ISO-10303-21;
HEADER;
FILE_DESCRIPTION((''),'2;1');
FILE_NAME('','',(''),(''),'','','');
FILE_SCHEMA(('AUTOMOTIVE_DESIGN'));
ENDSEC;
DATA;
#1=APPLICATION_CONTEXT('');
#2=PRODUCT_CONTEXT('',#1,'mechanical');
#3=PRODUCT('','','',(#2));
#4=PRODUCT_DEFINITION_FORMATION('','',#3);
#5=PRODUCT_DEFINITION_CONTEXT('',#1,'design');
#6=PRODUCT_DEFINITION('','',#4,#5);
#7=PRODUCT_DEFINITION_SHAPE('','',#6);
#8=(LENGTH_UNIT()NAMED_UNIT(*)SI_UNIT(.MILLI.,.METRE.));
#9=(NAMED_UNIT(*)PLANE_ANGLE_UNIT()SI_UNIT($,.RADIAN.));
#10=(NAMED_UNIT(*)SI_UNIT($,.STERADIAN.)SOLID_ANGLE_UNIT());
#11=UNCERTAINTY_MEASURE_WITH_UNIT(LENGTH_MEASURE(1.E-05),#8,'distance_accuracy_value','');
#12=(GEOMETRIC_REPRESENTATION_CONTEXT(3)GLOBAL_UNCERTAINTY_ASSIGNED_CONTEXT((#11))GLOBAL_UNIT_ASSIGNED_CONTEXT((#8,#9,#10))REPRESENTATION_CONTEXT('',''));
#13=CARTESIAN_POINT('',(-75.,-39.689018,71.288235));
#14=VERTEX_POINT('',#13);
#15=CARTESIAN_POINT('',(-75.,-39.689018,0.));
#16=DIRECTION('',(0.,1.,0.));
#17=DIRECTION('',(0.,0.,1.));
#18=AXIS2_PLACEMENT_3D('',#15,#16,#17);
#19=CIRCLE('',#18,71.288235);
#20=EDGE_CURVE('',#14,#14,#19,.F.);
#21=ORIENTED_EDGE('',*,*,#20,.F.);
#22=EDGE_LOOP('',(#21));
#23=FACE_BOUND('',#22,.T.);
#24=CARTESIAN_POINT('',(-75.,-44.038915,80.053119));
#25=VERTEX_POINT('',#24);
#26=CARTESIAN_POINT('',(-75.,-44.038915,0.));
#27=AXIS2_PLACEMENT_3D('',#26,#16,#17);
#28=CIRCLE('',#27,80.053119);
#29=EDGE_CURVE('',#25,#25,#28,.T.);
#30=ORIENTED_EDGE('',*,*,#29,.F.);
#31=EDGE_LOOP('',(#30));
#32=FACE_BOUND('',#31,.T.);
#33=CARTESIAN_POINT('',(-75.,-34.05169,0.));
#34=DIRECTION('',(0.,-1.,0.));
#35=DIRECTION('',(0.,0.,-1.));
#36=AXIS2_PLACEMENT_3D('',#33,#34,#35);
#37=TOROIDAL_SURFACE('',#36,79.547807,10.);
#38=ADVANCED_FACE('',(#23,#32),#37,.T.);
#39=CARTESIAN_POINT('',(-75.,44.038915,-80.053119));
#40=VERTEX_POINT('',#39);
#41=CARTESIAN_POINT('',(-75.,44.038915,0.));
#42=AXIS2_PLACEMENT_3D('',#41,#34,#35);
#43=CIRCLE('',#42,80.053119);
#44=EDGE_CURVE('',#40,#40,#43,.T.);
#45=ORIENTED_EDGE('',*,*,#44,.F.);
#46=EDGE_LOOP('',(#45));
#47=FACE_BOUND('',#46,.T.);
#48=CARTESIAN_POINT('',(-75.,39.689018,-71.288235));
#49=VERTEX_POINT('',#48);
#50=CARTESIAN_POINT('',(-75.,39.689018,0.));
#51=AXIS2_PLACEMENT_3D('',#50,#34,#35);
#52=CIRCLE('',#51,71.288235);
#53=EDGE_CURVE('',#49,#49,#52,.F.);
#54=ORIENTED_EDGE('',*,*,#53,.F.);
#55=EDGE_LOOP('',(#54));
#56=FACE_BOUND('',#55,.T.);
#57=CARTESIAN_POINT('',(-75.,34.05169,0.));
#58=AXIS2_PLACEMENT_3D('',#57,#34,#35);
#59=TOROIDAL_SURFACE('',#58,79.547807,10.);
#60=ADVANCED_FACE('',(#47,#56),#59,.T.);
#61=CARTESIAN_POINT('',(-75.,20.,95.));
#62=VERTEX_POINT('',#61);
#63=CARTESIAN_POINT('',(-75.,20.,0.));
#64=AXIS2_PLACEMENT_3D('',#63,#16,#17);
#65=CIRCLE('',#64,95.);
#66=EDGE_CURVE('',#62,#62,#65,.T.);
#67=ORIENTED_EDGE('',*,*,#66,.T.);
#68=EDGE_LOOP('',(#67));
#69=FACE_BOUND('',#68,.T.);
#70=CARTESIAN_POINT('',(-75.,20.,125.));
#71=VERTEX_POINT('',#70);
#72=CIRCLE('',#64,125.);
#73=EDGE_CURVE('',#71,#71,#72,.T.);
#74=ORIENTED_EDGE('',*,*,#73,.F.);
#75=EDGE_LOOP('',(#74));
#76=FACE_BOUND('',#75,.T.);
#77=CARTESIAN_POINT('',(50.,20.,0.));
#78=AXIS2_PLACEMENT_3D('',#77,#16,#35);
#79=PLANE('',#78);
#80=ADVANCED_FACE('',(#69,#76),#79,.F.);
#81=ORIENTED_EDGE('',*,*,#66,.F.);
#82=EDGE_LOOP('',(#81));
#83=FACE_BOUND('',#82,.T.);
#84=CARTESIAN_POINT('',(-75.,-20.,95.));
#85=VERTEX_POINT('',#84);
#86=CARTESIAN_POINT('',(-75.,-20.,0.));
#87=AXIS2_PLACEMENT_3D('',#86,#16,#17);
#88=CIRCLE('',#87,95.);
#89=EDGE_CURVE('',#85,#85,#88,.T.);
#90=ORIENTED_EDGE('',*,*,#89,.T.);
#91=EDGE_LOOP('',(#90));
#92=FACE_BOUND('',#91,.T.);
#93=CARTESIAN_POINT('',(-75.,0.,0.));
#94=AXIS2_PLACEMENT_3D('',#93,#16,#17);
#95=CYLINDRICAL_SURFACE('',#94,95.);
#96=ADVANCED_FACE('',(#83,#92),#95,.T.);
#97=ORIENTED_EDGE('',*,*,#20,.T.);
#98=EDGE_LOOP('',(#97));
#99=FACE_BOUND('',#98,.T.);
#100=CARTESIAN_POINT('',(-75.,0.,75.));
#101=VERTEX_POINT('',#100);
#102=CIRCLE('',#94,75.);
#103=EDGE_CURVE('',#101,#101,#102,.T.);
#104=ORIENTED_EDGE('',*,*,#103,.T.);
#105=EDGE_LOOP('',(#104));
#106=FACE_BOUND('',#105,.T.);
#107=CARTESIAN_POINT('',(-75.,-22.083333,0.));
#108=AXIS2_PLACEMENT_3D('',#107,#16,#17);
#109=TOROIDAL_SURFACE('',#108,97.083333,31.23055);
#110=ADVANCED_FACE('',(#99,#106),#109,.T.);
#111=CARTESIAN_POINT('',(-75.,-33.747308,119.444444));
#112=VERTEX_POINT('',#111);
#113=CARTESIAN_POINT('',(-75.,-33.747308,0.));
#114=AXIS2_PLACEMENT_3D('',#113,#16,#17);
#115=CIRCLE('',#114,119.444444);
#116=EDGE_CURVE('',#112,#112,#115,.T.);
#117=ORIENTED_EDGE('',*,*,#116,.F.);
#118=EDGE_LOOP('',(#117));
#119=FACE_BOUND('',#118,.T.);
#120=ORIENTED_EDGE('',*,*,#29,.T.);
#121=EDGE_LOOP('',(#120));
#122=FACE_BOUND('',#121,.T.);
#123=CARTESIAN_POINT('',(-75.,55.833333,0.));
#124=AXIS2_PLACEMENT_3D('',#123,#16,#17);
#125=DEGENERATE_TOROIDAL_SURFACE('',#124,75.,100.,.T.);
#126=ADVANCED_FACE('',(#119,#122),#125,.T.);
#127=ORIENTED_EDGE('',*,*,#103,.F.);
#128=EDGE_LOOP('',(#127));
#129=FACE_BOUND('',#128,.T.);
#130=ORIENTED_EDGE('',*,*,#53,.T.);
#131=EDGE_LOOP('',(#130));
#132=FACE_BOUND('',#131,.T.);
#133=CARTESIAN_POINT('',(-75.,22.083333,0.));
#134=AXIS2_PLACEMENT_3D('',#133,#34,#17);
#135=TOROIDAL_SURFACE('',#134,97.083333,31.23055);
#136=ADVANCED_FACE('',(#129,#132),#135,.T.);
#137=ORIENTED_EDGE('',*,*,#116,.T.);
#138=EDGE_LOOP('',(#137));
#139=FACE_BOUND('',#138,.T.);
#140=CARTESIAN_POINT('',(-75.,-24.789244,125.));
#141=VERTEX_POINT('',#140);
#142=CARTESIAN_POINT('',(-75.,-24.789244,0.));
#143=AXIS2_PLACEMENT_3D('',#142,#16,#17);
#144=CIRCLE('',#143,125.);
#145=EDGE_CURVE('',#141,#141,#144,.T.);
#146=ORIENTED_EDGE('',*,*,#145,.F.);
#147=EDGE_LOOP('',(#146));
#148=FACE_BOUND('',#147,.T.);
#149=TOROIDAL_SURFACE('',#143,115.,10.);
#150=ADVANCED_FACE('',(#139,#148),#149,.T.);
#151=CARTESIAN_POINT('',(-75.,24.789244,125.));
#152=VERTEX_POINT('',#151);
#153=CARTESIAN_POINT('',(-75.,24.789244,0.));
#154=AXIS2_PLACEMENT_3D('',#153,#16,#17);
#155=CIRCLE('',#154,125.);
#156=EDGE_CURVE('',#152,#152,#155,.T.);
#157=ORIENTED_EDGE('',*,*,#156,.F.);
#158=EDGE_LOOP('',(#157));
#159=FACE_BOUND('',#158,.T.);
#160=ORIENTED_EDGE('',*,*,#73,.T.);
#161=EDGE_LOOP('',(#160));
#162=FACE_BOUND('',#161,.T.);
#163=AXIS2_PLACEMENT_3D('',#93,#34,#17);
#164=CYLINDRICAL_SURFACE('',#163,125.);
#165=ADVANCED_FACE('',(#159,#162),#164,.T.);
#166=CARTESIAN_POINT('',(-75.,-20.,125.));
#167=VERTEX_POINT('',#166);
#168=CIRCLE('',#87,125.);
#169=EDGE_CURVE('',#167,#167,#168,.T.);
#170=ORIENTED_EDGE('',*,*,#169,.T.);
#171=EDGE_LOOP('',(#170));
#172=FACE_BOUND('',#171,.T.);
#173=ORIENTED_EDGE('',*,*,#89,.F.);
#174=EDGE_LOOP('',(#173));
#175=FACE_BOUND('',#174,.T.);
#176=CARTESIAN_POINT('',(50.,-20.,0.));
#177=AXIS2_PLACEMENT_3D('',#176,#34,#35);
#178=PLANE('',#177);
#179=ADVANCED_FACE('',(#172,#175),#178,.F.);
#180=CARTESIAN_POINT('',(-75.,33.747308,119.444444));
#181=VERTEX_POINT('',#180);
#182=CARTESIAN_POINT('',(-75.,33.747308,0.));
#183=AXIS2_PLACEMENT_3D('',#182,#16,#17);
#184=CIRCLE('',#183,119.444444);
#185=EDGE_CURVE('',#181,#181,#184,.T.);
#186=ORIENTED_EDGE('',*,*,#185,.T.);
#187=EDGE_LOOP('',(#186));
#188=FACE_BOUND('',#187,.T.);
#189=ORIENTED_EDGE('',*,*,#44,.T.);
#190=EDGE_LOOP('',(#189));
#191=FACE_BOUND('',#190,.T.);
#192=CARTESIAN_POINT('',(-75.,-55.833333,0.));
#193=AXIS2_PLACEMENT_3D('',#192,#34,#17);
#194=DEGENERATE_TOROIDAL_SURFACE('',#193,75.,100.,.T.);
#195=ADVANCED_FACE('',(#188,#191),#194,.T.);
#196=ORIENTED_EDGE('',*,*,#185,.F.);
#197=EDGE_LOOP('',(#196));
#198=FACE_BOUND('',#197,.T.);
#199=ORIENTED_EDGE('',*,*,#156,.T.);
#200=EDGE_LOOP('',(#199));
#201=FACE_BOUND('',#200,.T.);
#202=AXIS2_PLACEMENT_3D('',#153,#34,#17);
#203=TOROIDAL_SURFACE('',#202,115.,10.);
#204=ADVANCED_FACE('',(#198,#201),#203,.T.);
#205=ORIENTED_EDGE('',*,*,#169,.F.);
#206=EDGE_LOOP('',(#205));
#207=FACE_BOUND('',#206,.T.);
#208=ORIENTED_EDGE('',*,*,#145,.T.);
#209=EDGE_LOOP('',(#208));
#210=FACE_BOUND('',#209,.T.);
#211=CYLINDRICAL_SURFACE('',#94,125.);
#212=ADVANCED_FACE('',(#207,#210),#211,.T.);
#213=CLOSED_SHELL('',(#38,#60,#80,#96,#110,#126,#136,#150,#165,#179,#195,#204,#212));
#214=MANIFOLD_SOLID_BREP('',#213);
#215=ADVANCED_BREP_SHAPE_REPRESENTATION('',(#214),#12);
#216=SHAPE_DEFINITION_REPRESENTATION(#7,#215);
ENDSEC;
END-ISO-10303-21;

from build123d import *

# Parameters (mm, degrees)
FILLET_1_R = 10


with BuildPart() as part:
    # 草图1 → 旋转2 (revolve)
    with BuildSketch(Plane.XY, mode=Mode.PRIVATE) as revolve_2_sk:
        with BuildLine():
            Line((50, -24.78924415), (50, -20))
            Line((50, -20), (20, -20))
            Line((20, -20), (20, 0))
            Line((20, 0), (0, 0))
            ThreePointArc((0, 0), (-9.147216169, -22.083333333), (0, -44.166666667))
            ThreePointArc((0, -44.166666667), (22.824721633, -41.526987549), (44.444444444, -33.747308314))
            ThreePointArc((44.444444444, -33.747308314), (48.498365856, -30.059706917), (50, -24.78924415))
        make_face()
    revolve(revolve_2_sk.sketch.rotate(Axis((-75, 0, 0), (0, -1, 0)), 90), axis=Axis((-75, 0, 0), (0, -1, 0)))

    # 镜向1: part across plane


with BuildPart() as part_1:
    add(part.part)
    add(part.part.mirror(Plane.ZX))

    # 圆角1
    fillet_1_edges = [part_1.edges().sort_by_distance(p)[0] for p in [
        (-75, 44.166666667, -75),
        (-75, -44.166666667, -75),
    ]]
    fillet(fillet_1_edges, radius=FILLET_1_R)


solid = part_1.part
